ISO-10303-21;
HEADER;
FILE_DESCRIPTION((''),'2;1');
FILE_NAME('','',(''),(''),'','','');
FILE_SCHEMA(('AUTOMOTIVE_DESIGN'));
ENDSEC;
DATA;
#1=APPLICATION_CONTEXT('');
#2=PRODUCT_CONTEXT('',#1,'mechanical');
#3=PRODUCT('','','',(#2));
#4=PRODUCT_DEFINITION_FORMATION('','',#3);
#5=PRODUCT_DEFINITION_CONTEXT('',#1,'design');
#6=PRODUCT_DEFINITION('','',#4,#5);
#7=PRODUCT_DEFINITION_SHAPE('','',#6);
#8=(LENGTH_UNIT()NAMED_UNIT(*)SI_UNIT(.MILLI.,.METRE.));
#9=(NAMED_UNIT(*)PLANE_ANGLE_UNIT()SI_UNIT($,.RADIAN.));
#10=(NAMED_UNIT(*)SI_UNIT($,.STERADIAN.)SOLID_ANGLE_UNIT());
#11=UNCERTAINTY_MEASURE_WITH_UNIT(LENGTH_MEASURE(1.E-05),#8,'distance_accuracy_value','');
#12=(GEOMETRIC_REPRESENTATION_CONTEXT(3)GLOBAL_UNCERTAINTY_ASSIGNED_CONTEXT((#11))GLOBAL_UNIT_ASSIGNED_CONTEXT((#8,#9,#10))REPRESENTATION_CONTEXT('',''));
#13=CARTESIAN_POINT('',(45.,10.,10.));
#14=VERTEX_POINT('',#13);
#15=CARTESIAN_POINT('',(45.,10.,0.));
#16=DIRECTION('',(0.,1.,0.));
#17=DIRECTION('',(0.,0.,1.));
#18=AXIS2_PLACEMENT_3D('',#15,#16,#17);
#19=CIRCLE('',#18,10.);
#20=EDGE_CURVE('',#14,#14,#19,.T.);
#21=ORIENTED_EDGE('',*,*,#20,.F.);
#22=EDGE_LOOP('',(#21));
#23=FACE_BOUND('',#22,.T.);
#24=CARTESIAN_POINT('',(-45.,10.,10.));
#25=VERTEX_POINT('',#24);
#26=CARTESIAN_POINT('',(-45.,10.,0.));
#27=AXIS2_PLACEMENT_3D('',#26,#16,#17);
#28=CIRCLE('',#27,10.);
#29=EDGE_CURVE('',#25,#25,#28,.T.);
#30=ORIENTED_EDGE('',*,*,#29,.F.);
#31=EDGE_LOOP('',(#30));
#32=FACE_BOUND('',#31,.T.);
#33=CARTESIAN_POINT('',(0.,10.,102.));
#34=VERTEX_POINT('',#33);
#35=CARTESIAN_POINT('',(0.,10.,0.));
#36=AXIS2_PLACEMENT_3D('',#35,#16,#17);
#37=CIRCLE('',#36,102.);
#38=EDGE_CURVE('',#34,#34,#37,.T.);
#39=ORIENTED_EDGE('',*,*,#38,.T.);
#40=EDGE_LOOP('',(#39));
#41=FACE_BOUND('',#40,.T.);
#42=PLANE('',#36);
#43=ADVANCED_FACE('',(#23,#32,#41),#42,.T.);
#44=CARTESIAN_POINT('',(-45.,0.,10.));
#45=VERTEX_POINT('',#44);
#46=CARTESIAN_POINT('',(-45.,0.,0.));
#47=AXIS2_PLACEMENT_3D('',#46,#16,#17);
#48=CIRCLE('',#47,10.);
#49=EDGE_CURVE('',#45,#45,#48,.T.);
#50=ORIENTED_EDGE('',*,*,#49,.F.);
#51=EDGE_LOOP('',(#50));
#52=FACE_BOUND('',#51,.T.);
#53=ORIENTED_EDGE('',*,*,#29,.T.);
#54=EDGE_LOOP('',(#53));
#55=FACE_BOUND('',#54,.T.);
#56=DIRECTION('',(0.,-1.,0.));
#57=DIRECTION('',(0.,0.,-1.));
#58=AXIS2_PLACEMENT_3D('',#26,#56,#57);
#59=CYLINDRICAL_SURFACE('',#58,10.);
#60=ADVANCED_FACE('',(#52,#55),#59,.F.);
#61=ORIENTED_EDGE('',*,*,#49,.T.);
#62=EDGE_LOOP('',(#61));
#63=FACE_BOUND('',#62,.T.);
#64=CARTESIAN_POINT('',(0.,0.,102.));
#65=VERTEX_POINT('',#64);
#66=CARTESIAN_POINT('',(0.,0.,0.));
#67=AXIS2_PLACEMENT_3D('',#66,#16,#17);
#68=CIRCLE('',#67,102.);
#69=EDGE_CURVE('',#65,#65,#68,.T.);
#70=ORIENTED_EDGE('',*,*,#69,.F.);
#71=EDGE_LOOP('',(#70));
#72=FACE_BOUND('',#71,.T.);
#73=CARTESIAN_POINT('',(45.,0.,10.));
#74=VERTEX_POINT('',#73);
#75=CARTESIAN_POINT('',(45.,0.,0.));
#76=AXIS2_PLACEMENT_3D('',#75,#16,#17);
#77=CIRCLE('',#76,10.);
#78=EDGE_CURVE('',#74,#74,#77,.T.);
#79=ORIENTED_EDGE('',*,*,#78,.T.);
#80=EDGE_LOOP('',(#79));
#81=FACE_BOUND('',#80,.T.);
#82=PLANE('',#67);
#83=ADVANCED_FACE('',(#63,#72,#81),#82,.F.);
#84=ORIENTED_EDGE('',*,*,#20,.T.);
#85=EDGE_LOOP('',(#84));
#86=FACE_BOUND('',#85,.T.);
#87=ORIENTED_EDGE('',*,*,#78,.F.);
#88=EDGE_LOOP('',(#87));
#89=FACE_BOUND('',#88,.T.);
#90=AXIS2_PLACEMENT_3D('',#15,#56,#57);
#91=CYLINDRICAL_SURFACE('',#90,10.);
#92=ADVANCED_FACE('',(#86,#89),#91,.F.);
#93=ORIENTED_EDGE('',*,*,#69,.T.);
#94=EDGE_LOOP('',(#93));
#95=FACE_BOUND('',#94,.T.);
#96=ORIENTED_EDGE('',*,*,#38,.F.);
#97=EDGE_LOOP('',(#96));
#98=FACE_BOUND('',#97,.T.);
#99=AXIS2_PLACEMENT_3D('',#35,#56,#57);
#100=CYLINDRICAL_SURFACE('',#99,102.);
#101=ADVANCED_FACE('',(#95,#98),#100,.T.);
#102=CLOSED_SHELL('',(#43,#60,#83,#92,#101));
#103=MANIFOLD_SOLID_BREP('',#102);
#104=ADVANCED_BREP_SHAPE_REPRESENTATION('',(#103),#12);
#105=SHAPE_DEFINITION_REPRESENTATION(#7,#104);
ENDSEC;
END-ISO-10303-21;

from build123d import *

# Parameters (mm, degrees)
SKETCH_1_R      = 102
SKETCH_1_R_2    = 10
EXTRUDE_1_DEPTH = 10


with BuildPart() as part:
    # Эскиз1 → Бобышка-Вытянуть1 (new body)
    with BuildSketch(Plane(origin=(0, 0, 0), x_dir=(1, 0, 0), z_dir=(0, 1, 0))):
        with Locations(Location((0, 0, 0), (0, 0, 270))):
            Circle(SKETCH_1_R)
        with Locations(Location((-45, 0, 0), (0, 0, 270))):
            Circle(SKETCH_1_R_2, mode=Mode.SUBTRACT)
        with Locations(Location((45, 0, 0), (0, 0, 270))):
            Circle(SKETCH_1_R_2, mode=Mode.SUBTRACT)
    extrude(amount=EXTRUDE_1_DEPTH)


solid = part.part
